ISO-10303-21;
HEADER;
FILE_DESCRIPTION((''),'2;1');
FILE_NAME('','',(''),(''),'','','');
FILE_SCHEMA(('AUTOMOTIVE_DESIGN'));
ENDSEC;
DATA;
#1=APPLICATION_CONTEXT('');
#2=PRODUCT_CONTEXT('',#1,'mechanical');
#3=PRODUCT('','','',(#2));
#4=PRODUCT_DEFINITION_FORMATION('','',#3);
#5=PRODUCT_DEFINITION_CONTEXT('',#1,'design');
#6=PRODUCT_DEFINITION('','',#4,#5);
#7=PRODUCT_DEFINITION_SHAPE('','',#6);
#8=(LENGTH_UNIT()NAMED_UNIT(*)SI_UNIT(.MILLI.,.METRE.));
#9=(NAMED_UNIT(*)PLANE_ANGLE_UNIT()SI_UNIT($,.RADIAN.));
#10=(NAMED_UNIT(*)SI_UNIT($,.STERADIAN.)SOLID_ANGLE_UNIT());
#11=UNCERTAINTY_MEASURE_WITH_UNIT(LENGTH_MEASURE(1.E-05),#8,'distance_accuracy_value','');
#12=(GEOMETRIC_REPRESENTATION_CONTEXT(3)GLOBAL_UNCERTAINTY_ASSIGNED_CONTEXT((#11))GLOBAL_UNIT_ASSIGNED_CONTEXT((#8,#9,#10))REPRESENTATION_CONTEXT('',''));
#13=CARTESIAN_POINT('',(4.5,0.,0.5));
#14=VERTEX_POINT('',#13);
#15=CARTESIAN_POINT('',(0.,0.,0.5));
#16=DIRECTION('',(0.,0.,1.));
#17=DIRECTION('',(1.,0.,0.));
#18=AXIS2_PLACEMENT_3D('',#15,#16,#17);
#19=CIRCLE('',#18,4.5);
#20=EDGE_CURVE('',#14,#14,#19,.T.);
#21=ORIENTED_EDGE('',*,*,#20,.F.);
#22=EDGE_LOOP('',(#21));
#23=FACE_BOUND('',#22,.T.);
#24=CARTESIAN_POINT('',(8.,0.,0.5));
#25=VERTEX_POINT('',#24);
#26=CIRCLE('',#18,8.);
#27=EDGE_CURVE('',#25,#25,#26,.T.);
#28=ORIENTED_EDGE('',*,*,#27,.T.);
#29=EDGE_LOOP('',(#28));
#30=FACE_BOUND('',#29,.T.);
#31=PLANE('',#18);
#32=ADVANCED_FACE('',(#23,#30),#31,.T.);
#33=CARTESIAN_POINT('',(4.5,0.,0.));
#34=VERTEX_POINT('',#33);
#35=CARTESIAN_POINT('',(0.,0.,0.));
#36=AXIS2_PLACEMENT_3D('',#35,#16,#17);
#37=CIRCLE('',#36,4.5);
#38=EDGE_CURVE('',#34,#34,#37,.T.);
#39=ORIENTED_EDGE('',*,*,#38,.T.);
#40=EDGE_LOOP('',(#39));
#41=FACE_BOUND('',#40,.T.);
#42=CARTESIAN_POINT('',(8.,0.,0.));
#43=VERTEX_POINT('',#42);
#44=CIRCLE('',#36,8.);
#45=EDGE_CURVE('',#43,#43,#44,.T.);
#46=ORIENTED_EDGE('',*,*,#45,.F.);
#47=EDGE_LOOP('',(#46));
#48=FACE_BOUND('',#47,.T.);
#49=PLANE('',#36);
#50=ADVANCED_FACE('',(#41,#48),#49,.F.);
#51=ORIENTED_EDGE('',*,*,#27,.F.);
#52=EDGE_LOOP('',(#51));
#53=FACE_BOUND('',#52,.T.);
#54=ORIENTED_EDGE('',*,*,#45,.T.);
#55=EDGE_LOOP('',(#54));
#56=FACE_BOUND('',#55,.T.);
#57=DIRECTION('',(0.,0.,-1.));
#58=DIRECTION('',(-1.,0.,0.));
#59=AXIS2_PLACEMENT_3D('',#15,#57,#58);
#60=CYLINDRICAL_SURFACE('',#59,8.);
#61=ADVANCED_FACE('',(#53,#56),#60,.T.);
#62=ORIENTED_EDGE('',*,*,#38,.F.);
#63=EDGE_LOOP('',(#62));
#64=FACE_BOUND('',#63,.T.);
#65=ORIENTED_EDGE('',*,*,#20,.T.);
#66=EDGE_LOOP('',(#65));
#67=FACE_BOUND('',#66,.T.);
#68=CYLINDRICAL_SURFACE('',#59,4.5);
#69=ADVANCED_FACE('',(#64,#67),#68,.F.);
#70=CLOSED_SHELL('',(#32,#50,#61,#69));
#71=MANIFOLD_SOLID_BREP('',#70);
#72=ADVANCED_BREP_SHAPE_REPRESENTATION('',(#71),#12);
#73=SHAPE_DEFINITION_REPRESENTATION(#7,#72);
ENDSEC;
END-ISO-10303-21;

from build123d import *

# Parameters (mm, degrees)
SKETCH1_R           = 8
SKETCH1_R_2         = 4.5
BOSS_EXTRUDE1_DEPTH = 0.5


with BuildPart() as part:
    # Sketch1 → Boss-Extrude1 (new body)
    with BuildSketch(Plane.XY):
        Circle(SKETCH1_R)
        Circle(SKETCH1_R_2, mode=Mode.SUBTRACT)
    extrude(amount=BOSS_EXTRUDE1_DEPTH)


solid = part.part
